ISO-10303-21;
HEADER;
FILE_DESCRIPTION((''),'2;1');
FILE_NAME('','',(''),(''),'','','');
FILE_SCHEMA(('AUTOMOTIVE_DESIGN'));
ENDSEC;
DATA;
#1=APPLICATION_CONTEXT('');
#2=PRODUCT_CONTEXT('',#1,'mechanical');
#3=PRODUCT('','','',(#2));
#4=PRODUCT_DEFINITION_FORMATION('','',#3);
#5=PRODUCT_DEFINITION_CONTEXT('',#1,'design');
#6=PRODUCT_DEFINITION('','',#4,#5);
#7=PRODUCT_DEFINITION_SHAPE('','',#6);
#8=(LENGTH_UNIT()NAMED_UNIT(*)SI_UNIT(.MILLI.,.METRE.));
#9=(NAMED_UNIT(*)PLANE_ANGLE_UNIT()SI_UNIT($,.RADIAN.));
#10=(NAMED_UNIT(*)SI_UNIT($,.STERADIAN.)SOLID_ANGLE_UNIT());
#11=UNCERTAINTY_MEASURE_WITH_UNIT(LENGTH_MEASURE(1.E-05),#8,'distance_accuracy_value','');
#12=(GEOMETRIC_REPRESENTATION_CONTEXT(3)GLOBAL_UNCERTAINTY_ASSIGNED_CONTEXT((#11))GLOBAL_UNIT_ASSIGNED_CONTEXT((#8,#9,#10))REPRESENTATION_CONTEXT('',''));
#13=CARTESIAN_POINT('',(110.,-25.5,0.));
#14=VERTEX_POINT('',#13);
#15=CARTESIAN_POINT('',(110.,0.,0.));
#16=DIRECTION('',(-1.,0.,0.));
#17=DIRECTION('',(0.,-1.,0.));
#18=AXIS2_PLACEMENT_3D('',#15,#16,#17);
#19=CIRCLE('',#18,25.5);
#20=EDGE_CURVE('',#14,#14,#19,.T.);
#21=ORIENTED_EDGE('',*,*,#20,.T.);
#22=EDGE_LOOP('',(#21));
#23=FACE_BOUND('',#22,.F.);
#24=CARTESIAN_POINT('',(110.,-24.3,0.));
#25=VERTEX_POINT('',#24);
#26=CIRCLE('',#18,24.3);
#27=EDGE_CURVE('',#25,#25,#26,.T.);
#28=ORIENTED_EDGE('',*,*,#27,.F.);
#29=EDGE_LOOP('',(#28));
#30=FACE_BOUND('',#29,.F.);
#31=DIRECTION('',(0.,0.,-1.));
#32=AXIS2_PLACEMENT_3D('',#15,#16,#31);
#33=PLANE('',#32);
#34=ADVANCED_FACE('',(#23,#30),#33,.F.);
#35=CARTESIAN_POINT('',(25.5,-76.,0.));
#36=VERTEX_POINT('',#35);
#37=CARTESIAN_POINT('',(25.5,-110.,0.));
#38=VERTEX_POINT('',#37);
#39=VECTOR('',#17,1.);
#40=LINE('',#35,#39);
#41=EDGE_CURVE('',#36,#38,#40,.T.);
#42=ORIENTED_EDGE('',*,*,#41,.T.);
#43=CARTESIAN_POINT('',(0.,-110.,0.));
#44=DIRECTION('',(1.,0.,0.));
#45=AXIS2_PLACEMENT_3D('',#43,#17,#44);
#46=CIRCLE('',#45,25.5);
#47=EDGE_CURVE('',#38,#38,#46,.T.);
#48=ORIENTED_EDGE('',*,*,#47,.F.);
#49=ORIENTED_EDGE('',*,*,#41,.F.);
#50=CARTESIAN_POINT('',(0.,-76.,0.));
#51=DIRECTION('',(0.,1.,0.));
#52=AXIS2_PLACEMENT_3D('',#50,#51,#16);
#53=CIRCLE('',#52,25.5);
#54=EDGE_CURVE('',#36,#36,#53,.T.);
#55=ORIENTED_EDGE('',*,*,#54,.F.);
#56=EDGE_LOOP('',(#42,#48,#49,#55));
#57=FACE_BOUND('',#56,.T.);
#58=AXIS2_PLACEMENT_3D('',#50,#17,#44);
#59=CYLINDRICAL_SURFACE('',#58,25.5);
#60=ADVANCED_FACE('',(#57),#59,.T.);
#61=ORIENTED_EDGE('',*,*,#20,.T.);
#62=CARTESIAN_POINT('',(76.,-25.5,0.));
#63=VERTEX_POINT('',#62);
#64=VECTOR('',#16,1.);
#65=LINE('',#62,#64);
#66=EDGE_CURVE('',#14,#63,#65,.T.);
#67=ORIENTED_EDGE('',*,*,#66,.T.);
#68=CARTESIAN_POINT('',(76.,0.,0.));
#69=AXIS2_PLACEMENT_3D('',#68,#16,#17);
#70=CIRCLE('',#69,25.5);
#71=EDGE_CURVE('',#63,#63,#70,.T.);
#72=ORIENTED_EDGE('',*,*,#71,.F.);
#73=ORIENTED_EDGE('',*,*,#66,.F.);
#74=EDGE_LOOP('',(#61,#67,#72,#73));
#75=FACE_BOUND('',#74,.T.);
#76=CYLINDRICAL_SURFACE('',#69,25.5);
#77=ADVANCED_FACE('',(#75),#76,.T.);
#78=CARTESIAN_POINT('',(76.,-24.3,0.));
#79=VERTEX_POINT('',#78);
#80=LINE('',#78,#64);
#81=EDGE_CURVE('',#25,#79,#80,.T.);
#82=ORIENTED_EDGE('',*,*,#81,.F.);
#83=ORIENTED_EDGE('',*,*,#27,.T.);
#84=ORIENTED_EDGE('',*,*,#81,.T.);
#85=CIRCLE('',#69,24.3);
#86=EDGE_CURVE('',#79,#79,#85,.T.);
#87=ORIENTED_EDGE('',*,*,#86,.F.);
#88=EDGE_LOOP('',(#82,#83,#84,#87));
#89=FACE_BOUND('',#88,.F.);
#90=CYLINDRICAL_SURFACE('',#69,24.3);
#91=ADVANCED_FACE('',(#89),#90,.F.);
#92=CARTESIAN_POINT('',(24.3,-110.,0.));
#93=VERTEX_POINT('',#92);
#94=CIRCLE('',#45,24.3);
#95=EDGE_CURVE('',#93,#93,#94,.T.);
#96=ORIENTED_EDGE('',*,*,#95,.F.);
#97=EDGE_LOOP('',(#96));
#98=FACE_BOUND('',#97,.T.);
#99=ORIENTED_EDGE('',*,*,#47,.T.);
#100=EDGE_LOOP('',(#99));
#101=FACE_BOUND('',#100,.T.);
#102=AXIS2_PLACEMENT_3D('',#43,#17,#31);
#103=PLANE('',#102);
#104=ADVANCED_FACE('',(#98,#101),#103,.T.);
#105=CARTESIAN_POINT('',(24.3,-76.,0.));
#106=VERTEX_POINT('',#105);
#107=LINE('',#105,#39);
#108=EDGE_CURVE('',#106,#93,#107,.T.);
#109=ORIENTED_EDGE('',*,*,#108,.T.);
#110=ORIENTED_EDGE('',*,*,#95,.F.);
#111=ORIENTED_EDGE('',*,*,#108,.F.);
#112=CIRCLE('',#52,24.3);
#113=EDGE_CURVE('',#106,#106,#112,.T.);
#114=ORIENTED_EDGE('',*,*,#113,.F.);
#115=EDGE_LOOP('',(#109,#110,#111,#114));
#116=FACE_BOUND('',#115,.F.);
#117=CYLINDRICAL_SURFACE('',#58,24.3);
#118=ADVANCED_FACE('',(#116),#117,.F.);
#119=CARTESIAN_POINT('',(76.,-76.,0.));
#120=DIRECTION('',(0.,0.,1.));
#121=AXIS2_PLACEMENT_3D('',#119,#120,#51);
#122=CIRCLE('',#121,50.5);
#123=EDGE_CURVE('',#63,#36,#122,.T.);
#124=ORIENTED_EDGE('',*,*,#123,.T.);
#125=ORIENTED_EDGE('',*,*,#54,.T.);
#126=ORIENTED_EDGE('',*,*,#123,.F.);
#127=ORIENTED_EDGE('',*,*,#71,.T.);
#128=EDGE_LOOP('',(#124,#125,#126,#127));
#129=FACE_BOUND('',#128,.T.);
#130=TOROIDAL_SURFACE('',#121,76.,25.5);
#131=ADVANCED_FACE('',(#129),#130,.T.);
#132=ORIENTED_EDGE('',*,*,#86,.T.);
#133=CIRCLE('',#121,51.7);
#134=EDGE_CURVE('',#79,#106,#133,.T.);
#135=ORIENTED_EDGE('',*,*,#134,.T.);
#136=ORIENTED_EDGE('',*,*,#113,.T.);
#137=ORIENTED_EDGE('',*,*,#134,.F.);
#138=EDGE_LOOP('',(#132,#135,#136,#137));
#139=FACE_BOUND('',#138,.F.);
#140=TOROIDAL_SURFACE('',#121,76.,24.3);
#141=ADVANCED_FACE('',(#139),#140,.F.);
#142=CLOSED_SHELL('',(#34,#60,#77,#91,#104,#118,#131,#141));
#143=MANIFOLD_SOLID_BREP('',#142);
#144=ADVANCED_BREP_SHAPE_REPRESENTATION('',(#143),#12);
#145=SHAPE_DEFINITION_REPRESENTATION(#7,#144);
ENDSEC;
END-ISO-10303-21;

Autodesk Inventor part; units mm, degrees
ref_plane "YZ Plane" through (0, 0, 0) normal (1, 0, 0) x (0, 1, 0)
ref_plane "XZ Plane" through (0, 0, 0) normal (0, 1, 0) x (-1, 0, 0)
sketch "Szkic6" plane through (0, 0, 0) normal (0, 0, 1) x (1, 0, 0)
  line L0 (-29.6067, 0) -> (35.2678, 0) construction
  line L1 (0, 42.3419) -> (0, -58.3726) construction
  arc A0 (76, 0) -> (0, -76) centre (76, -76) ccw
  line L2 (0, -76) -> (76, -76) construction
  line L3 (76, -76) -> (76, -10.4669) construction
  line L4 (76, 0) -> (110, 0)
  line L5 (0, -76) -> (0, -110)
  point P0 (0, 0)
  dimension "d24" = 76
  dimension "d31" = 90
  dimension "d36" = 34
  dimension "d37" = 34
ref_plane "Płaszczyzna konstrukcyjna2" through (0, -76, 0) normal (0, -1, 0) x (1, 0, 0)
sketch "Szkic8" plane through (0, -76, 0) normal (0, -1, 0) x (1, 0, 0)
  circle A0 centre (0, 0) radius 25.5
  circle A1 centre (0, 0) radius 24.3
  dimension "d32" = 51
  dimension "d33" = 1.2
sweep "Przeciągnięcie2" add profiles "Szkic8" path "Szkic6"
equation "\"d32\" = OD"
equation "\"d33\" = THK"
equation "\"d24\" = R"
equation "\"d31\" = KAT"
equation "\"d36\" = PROSTKA"
equation "\"d37\" = PROSTKA"
equation "\"SzerokośćGięciaPodcięcia\" = Grubość"
equation "\"RozmiarPodcięciaNarożnika\" = 4 * Grubość"
equation "\"PromieńPrzejścia\" = PromieńGięcia"
equation "\"Rozmiar_promienia_Jacobiego\" = PromieńGięcia"
equation "\"Wielk_odstępu\" = Grubość"
equation "\"d2\" = PromieńGięcia"
equation "\"d23\" = PromieńGięcia"
equation "\"R\" = 76"
equation "\"OD\" = 51"
equation "\"THK\" = 1.2"
equation "\"KAT\" = 90deg"
equation "\"PROSTKA\" = 34"
equation "\"Grubość\" = 1.5"
equation "\"PromieńGięcia\" = 3"
properties part number "Kolano 90° ø51x1,2 R76" material "304L"
